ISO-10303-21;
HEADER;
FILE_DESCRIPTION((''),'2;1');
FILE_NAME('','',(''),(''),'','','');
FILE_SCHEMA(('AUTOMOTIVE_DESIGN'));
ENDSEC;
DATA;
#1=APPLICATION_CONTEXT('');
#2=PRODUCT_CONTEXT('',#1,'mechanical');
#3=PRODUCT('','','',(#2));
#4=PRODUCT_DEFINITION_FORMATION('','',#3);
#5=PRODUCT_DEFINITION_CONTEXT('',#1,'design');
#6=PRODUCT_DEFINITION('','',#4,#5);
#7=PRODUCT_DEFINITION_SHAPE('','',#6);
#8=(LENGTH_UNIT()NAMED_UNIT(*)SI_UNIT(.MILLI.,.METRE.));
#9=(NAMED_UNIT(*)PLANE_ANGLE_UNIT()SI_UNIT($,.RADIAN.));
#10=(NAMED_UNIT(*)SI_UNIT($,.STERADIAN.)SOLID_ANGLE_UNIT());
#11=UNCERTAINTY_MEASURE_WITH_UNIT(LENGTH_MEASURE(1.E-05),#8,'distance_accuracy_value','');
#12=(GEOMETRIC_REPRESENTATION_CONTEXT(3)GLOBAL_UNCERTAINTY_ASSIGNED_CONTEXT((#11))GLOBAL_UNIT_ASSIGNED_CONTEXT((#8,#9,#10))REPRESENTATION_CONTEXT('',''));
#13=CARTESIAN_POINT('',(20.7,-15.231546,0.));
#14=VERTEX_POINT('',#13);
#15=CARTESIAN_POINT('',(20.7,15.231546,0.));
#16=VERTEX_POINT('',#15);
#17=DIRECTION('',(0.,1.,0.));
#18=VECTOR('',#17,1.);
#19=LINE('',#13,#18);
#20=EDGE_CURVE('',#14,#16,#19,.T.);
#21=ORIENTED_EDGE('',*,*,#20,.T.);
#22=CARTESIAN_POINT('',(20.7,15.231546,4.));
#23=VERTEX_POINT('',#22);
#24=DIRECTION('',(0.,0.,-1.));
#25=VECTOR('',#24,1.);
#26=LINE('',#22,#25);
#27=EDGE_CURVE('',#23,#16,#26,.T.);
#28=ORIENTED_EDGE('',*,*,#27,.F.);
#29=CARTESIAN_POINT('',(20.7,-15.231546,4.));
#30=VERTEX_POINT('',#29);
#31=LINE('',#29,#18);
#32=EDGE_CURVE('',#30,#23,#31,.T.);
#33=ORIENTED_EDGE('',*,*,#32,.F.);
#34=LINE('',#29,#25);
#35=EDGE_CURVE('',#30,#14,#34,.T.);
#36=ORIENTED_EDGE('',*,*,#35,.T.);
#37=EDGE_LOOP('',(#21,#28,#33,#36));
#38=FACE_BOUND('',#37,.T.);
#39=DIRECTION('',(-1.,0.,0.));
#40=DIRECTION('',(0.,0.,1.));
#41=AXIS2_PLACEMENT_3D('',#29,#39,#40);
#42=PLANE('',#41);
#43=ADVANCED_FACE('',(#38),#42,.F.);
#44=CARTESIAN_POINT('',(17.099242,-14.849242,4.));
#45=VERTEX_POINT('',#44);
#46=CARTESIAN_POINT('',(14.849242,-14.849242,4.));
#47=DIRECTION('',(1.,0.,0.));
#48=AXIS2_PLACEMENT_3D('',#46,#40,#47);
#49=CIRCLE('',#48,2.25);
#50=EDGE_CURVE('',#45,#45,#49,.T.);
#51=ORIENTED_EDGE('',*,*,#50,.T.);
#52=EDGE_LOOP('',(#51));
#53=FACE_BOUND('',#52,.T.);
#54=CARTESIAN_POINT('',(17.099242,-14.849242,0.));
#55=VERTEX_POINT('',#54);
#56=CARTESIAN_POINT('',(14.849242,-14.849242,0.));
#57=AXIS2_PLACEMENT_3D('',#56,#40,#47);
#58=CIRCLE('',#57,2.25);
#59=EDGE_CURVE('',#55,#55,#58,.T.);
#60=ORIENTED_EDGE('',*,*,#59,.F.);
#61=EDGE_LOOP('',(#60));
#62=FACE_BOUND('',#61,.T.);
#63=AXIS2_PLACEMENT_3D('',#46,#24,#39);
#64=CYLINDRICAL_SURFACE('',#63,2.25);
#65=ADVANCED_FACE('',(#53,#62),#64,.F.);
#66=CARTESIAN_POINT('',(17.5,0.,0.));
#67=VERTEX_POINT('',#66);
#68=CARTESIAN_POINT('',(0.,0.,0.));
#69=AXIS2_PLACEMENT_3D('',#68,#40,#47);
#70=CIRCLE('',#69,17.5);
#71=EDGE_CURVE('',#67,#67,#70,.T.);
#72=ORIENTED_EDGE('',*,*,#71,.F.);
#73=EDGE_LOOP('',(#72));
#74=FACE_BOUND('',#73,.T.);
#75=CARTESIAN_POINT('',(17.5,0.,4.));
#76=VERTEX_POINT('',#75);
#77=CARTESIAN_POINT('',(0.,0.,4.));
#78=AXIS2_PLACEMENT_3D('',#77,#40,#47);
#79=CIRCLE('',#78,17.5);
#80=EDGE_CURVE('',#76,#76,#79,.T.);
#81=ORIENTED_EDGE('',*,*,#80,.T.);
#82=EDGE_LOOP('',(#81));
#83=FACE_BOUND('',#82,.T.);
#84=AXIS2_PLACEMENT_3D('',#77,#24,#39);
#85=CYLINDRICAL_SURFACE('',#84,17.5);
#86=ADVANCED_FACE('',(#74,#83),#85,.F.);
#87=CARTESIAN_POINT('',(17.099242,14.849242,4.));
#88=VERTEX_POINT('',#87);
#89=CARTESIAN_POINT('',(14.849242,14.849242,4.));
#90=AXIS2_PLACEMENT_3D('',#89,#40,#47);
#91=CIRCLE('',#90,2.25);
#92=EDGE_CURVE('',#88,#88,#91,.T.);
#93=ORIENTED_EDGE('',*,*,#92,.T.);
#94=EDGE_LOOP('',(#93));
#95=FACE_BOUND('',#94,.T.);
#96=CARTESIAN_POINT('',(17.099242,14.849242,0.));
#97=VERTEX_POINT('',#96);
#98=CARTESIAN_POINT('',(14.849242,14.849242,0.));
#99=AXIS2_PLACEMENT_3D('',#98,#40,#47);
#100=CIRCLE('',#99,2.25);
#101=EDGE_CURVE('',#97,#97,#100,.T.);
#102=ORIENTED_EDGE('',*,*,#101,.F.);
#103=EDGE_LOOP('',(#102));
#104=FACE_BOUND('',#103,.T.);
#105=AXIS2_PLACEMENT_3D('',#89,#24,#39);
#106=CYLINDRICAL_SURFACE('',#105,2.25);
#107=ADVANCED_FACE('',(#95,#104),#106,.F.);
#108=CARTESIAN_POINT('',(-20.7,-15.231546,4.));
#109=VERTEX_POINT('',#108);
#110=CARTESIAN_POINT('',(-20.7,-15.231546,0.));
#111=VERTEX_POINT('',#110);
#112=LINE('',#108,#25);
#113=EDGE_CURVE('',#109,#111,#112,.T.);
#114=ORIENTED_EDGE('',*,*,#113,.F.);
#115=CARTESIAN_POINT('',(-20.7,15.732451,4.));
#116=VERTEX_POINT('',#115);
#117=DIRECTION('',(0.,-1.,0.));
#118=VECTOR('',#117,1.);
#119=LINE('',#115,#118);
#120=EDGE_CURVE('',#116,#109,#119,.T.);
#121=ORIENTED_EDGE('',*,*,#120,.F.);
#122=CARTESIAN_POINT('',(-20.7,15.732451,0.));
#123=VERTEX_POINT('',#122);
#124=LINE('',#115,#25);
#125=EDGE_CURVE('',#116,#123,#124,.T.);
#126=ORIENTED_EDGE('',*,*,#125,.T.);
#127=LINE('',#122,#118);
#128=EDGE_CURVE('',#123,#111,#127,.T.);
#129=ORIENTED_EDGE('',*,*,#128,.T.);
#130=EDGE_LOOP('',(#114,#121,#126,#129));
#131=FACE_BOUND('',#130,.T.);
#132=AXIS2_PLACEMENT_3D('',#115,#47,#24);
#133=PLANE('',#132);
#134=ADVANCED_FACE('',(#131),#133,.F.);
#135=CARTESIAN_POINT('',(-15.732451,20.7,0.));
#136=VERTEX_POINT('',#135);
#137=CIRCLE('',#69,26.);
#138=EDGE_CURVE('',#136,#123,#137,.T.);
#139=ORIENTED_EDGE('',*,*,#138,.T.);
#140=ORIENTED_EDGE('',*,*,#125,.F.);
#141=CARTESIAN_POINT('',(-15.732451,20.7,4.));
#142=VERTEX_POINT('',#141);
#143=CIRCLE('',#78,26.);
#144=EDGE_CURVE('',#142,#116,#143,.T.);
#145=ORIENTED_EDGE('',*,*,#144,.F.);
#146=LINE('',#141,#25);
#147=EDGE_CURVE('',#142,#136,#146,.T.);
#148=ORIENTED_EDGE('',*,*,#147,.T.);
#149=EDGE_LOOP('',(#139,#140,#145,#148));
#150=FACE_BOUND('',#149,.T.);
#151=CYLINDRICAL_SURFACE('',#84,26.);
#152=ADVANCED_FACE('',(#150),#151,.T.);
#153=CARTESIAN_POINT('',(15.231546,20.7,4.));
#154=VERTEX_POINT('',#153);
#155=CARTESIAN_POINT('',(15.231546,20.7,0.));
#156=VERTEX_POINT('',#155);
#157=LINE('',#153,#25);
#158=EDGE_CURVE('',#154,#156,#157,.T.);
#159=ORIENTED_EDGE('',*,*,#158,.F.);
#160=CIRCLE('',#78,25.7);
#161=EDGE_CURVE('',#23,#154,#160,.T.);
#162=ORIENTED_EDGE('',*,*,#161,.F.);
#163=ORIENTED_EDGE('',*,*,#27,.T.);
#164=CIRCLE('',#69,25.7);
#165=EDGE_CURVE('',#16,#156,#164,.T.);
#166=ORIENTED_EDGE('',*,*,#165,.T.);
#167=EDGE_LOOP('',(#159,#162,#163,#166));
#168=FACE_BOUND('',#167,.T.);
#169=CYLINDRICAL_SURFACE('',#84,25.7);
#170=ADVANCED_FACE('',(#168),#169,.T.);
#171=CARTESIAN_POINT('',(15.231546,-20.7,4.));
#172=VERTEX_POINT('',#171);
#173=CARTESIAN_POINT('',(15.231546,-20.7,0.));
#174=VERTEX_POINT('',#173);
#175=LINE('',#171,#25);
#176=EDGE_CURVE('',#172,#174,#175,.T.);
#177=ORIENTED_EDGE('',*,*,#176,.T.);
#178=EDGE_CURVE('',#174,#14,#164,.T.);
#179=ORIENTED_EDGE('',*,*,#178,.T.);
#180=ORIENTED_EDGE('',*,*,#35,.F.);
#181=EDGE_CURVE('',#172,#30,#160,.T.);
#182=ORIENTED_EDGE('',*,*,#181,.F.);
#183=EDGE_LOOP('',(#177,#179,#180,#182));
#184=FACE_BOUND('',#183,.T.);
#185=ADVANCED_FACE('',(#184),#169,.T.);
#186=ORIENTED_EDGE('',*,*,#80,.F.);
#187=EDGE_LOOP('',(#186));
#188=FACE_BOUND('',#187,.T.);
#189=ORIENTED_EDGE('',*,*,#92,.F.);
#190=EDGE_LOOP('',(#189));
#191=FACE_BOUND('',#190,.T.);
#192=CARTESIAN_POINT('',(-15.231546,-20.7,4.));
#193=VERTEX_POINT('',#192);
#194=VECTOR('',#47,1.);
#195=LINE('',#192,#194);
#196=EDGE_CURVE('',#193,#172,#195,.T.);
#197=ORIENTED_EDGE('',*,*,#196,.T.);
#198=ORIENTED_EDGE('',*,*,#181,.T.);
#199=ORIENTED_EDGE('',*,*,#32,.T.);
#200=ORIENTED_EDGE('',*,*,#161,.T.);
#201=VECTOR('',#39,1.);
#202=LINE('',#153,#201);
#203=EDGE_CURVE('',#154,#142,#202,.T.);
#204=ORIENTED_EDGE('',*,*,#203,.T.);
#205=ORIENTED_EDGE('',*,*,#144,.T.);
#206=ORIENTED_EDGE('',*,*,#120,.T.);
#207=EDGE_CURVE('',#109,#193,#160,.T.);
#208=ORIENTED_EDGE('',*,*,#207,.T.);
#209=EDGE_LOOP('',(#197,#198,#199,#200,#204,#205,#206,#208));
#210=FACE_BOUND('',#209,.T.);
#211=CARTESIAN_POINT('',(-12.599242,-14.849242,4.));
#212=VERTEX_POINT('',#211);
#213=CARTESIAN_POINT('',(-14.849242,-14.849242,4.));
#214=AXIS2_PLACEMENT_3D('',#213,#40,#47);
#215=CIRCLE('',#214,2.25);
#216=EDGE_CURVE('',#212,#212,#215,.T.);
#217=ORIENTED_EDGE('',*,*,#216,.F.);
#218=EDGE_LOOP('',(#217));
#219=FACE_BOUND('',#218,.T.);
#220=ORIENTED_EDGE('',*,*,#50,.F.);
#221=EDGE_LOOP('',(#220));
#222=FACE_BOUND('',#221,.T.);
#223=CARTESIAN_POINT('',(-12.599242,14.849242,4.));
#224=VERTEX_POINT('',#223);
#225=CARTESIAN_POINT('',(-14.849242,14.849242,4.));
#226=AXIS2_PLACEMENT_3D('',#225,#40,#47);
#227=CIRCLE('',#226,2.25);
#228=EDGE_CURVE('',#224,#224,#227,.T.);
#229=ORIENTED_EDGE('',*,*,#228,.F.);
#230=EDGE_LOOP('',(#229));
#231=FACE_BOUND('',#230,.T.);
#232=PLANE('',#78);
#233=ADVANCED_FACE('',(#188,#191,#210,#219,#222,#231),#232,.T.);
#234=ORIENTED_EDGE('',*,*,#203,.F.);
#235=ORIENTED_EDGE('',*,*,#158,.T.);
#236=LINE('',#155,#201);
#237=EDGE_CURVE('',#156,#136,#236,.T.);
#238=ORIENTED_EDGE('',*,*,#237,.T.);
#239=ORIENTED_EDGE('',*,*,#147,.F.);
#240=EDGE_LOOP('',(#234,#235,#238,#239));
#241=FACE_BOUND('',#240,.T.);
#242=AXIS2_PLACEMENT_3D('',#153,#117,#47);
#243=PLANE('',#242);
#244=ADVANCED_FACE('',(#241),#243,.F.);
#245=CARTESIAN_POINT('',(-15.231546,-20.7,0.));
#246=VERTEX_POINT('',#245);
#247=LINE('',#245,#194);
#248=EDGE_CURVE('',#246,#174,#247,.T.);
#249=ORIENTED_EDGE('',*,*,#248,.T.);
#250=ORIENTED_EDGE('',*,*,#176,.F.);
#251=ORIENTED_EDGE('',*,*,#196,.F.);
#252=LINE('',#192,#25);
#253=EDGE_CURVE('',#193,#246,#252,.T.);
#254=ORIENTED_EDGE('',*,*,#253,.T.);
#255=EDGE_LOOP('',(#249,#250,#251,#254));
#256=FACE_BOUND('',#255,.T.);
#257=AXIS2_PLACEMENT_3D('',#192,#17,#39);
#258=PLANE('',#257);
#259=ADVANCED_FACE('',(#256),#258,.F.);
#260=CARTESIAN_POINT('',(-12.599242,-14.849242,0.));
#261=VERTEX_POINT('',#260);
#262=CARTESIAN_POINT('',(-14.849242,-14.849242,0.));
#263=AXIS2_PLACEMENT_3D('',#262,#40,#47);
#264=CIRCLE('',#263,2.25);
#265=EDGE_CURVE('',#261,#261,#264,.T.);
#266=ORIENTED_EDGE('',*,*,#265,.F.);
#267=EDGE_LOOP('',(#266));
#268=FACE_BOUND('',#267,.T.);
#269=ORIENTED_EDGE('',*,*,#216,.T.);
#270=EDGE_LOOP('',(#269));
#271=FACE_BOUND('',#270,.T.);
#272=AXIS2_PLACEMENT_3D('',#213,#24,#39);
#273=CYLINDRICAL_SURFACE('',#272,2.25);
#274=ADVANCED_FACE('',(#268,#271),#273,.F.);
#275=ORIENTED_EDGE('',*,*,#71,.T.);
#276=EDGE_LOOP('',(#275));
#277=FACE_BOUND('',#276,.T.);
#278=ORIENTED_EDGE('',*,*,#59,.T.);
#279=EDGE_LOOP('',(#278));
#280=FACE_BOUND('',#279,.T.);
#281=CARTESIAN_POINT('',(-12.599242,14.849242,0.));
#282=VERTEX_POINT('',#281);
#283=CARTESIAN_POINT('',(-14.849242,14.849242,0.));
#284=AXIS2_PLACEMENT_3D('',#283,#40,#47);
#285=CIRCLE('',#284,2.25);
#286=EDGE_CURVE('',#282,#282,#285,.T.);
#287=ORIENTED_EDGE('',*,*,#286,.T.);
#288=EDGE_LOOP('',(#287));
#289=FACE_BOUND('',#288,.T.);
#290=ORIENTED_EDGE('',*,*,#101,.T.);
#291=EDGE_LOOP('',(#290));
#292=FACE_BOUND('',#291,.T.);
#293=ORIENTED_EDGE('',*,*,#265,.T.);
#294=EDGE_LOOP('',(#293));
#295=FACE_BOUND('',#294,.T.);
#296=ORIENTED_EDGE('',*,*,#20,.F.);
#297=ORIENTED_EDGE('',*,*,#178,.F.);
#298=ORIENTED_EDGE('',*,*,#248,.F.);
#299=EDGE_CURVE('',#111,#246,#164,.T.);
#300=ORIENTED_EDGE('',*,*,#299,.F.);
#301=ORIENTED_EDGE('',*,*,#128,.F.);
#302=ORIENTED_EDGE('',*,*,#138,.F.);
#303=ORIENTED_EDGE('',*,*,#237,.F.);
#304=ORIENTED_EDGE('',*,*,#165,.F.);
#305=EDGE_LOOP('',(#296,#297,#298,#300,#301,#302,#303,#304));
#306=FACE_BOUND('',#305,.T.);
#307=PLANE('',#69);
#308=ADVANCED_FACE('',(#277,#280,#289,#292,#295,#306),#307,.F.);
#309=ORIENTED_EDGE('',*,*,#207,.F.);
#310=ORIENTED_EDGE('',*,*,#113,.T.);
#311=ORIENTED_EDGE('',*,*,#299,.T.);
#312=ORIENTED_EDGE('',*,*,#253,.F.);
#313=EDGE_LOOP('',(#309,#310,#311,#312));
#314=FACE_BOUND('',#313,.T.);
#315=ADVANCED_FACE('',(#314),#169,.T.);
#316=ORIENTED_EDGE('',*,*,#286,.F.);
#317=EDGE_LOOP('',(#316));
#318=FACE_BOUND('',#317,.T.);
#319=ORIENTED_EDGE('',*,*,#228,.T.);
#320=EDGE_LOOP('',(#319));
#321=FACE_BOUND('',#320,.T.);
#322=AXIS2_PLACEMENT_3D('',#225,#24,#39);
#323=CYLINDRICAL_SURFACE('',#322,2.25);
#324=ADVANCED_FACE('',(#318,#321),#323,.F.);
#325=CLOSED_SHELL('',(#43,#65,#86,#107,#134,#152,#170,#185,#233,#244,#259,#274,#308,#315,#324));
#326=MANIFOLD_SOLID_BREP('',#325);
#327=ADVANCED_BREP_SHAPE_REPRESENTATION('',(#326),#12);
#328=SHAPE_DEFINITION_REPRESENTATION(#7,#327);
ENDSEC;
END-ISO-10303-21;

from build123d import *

# Parameters (mm, degrees)
SKETCH1_R           = 2.25
SKETCH1_R_2         = 17.5
BOSS_EXTRUDE1_DEPTH = 4


with BuildPart() as part:
    # Sketch1 → Boss-Extrude1 (new body)
    with BuildSketch(Plane.XY):
        with BuildLine():
            Line((-20.7, 15.73245054), (-20.7, -15.231546212))
            ThreePointArc((-20.7, -15.231546212), (-18.172644276, -18.172644276), (-15.231546212, -20.7))
            Line((-15.231546212, -20.7), (15.231546212, -20.7))
            ThreePointArc((15.231546212, -20.7), (18.172644276, -18.172644276), (20.7, -15.231546212))
            Line((20.7, -15.231546212), (20.7, 15.231546212))
            ThreePointArc((20.7, 15.231546212), (18.172644276, 18.172644276), (15.231546212, 20.7))
            Line((15.231546212, 20.7), (-15.73245054, 20.7))
            ThreePointArc((-15.73245054, 20.7), (-18.384776311, 18.384776311), (-20.7, 15.73245054))
        make_face()
        with Locations((-14.849242405, -14.849242405)):
            Circle(SKETCH1_R, mode=Mode.SUBTRACT)
        with Locations((-14.849242405, 14.849242405)):
            Circle(SKETCH1_R, mode=Mode.SUBTRACT)
        with Locations((14.849242405, 14.849242405)):
            Circle(SKETCH1_R, mode=Mode.SUBTRACT)
        with Locations((14.849242405, -14.849242405)):
            Circle(SKETCH1_R, mode=Mode.SUBTRACT)
        Circle(SKETCH1_R_2, mode=Mode.SUBTRACT)
    extrude(amount=BOSS_EXTRUDE1_DEPTH)


solid = part.part
